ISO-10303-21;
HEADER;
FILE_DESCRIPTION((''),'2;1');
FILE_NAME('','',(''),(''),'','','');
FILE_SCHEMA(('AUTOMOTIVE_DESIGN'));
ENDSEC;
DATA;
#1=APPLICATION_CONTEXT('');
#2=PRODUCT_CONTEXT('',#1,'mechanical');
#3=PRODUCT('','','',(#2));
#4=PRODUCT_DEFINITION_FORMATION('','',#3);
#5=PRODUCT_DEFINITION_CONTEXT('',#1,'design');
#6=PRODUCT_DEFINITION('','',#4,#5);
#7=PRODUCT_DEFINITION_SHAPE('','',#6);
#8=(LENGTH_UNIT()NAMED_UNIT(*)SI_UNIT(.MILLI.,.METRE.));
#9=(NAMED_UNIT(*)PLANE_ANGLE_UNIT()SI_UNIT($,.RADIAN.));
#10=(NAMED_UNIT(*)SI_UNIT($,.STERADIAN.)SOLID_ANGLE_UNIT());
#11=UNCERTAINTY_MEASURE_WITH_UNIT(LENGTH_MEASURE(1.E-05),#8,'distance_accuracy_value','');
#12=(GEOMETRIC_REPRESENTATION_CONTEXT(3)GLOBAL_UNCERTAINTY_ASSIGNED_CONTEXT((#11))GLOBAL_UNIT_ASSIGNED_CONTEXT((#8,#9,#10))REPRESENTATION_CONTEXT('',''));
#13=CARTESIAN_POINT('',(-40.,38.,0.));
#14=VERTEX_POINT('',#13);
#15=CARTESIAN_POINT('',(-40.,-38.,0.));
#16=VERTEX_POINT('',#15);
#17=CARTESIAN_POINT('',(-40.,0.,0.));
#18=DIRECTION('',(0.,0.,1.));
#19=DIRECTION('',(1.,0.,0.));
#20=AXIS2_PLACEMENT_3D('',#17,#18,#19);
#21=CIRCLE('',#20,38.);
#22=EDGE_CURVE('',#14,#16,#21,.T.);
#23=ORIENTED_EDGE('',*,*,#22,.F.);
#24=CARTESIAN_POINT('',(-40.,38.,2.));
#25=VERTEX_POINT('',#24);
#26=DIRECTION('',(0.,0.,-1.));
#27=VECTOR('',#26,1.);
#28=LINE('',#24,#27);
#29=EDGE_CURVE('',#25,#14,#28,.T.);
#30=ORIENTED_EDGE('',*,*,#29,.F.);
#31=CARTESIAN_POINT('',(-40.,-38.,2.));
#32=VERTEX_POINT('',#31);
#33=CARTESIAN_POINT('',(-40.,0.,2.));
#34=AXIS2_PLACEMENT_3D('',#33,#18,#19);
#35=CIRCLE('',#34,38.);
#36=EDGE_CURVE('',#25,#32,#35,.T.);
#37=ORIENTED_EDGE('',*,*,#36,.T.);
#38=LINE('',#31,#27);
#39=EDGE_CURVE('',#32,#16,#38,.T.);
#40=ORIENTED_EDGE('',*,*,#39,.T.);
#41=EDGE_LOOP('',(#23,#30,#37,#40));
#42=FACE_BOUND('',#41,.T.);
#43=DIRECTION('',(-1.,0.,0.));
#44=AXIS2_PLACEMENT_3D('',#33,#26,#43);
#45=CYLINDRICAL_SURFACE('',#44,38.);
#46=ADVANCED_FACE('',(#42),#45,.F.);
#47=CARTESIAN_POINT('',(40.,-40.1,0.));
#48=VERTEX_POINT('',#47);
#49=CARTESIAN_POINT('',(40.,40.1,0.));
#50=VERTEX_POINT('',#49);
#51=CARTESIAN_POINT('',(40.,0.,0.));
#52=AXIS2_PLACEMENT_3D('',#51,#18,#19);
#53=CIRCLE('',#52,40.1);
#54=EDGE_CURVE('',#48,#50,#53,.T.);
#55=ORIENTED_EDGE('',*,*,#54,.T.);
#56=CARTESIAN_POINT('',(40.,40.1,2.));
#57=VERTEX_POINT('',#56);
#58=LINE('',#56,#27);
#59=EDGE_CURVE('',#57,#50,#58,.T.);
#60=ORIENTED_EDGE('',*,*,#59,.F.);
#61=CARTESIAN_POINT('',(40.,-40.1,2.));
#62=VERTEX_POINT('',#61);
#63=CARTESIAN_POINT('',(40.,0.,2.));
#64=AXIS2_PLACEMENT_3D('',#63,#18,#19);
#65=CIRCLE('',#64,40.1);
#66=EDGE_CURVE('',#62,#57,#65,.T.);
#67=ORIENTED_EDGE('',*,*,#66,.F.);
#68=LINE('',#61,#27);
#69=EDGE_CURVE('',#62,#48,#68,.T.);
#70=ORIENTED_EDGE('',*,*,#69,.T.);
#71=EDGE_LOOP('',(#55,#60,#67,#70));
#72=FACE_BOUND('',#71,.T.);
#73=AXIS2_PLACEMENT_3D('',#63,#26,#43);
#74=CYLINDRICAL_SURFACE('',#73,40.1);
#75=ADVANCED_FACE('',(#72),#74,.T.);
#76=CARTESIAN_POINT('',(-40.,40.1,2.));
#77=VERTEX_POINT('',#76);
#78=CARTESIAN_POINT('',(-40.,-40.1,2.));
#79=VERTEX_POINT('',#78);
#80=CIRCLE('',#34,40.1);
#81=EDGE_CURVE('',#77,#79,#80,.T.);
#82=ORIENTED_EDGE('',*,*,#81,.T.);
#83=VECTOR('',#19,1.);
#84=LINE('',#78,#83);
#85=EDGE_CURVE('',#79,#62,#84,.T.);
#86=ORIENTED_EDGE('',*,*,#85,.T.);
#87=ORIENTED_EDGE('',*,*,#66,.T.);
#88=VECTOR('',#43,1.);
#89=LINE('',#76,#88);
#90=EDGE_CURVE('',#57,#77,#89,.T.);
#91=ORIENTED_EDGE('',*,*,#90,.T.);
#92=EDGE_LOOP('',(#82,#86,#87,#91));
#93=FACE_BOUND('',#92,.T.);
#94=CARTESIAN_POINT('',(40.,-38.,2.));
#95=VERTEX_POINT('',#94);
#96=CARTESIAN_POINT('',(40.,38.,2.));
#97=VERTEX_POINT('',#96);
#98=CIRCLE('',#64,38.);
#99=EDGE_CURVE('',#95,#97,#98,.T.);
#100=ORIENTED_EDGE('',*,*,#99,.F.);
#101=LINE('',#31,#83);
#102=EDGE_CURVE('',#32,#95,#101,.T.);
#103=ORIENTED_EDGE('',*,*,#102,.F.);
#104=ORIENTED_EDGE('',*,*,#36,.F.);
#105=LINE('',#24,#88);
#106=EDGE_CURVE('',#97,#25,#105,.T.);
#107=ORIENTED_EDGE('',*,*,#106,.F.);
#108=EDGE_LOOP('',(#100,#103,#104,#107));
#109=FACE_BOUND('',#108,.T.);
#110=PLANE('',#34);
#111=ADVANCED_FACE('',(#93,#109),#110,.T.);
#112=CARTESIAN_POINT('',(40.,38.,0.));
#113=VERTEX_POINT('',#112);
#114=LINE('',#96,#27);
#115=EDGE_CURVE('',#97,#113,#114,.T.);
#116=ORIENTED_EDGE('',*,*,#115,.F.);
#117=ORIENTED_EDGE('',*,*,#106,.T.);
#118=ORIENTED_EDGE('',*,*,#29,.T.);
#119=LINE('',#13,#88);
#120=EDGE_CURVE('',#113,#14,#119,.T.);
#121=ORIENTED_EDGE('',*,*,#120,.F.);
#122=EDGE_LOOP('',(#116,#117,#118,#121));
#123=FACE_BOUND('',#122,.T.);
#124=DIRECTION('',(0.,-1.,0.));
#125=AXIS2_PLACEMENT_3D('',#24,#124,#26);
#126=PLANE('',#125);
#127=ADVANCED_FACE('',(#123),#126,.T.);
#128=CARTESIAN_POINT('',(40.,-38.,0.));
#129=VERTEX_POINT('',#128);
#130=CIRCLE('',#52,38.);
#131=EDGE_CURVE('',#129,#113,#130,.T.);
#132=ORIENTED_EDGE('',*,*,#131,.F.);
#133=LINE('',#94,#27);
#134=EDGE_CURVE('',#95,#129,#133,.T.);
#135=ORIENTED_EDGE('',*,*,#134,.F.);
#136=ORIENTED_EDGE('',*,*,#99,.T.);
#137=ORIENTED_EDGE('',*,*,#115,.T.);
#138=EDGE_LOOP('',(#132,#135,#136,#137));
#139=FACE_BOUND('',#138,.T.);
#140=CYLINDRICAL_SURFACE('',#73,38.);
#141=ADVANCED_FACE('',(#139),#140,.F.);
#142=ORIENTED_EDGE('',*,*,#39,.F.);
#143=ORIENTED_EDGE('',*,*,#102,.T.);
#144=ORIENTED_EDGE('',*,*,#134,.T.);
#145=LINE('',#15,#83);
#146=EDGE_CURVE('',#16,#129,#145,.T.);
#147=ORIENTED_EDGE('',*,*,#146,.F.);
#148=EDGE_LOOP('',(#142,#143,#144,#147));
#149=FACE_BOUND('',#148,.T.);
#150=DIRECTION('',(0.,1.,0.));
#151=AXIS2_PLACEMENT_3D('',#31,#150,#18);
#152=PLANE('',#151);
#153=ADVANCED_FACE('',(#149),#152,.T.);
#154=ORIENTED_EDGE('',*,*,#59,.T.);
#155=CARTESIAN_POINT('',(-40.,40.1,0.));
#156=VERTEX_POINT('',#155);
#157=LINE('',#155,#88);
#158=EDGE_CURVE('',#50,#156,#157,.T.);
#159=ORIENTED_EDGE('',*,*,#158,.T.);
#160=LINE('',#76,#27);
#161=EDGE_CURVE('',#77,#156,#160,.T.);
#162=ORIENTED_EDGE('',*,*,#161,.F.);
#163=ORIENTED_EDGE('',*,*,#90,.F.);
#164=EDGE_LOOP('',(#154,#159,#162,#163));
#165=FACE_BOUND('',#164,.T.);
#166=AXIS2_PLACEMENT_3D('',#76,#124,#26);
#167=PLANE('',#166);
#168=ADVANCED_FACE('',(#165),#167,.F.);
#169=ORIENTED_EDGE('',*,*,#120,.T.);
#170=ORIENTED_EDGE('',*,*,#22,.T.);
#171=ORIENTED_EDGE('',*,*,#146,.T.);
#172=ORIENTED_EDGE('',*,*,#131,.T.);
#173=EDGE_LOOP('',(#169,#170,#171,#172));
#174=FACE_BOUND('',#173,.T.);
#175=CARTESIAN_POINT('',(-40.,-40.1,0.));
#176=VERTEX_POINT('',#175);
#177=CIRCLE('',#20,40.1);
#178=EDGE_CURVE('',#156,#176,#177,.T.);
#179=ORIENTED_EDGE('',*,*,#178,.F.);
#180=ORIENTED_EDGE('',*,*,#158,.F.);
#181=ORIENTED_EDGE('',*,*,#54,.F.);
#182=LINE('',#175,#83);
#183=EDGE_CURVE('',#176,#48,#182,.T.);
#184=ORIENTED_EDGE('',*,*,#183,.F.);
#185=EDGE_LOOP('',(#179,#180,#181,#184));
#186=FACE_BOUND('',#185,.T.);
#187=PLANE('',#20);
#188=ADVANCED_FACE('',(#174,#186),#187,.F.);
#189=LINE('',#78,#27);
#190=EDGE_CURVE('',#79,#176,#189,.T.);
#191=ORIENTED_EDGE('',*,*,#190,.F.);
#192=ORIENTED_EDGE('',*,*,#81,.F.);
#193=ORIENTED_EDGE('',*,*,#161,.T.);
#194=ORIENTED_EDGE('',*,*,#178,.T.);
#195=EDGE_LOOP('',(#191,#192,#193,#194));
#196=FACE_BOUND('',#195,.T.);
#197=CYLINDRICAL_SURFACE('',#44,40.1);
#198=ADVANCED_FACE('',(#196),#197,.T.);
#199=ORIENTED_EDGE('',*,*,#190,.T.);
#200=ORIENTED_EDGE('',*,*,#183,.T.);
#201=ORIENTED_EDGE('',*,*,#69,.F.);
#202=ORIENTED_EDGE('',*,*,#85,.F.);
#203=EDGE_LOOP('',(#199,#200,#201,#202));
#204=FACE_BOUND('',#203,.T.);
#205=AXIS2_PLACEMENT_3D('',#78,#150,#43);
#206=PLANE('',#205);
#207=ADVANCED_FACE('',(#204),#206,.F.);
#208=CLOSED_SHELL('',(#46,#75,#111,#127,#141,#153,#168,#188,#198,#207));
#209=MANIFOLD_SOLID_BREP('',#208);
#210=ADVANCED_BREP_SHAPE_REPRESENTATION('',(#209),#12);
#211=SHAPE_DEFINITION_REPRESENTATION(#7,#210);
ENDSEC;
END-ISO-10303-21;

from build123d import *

# Parameters (mm, degrees)
EXTRUDE_1_DEPTH = 2


with BuildPart() as part:
    # Эскиз1 → Бобышка-Вытянуть1 (new body)
    with BuildSketch(Plane.XY):
        with BuildLine():
            Line((-40, -40.1), (40, -40.1))
            ThreePointArc((40, -40.1), (80.1, 0), (40, 40.1))
            Line((40, 40.1), (-40, 40.1))
            ThreePointArc((-40, 40.1), (-80.1, 0), (-40, -40.1))
        make_face()
        with BuildLine():
            Line((-40, 38), (40, 38))
            ThreePointArc((40, 38), (78, 0), (40, -38))
            Line((40, -38), (-40, -38))
            ThreePointArc((-40, -38), (-78, 0), (-40, 38))
        make_face(mode=Mode.SUBTRACT)
    extrude(amount=EXTRUDE_1_DEPTH)


solid = part.part
